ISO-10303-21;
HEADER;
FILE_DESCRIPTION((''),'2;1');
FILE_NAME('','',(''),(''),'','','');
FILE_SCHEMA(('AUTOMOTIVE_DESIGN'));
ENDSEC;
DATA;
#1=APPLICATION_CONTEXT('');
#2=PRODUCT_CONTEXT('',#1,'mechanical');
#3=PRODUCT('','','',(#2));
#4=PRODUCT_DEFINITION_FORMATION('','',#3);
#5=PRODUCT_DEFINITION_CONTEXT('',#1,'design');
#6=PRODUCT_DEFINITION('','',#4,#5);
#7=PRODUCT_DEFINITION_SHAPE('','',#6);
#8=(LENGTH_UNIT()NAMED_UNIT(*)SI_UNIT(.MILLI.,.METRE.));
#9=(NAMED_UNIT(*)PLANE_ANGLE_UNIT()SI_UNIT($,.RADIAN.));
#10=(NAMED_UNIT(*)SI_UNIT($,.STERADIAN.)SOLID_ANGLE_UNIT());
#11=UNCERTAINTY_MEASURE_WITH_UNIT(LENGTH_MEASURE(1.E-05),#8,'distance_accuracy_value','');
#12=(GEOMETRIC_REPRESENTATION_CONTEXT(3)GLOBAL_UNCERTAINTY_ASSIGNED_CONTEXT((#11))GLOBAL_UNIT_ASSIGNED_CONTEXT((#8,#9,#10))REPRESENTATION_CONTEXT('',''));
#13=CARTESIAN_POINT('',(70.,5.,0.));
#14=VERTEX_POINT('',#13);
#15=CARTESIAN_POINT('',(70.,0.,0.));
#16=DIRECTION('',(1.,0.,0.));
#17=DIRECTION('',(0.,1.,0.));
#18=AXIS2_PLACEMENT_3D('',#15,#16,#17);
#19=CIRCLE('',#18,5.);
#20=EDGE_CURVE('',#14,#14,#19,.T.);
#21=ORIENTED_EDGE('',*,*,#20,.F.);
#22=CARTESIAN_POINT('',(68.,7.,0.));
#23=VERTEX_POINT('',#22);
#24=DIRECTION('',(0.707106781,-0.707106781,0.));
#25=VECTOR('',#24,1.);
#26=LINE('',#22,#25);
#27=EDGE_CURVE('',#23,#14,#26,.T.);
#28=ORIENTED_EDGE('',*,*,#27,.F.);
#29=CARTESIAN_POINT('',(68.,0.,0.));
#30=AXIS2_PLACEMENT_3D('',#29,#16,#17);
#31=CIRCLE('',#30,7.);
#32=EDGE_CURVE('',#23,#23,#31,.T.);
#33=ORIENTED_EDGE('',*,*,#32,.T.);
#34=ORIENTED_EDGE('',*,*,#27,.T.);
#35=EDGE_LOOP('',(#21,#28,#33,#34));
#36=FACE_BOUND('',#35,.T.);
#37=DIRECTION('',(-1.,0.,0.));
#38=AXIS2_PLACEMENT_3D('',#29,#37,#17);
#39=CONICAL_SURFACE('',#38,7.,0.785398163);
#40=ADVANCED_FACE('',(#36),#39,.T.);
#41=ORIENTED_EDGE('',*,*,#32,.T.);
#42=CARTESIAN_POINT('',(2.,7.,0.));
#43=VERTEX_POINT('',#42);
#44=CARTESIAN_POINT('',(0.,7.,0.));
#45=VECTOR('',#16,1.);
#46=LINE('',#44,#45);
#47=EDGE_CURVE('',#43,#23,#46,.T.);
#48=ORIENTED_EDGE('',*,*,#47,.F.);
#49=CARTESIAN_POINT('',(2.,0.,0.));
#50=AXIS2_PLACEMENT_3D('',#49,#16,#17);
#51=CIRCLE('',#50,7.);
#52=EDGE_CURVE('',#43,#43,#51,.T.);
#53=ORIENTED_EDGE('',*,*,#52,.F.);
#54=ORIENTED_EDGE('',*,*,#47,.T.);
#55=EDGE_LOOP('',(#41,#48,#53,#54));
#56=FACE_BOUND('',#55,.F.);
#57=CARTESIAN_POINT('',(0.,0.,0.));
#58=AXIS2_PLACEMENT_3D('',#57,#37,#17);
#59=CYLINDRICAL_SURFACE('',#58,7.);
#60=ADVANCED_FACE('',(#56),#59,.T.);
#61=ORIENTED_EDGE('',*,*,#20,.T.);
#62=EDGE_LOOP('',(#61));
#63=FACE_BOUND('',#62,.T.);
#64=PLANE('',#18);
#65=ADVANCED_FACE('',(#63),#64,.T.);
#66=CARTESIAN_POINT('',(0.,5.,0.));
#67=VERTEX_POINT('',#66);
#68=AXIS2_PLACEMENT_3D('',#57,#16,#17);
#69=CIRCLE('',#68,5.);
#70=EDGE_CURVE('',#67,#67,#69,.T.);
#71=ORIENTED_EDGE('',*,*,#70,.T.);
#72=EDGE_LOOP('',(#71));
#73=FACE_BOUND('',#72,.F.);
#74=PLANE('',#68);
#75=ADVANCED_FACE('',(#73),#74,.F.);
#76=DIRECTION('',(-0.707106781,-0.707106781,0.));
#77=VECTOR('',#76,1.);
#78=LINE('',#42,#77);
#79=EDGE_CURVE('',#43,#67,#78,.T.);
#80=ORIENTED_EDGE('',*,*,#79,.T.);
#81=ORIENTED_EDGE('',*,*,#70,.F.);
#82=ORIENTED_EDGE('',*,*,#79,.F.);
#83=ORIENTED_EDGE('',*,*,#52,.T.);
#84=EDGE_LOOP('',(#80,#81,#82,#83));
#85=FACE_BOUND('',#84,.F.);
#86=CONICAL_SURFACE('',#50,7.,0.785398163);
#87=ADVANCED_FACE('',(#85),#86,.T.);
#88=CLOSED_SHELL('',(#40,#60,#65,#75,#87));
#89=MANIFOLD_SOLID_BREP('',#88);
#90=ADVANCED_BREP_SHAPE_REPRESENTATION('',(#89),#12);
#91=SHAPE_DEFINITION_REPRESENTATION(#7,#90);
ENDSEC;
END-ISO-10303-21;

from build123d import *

# Parameters (mm, degrees)
SKETCH_R     = 7
PAD_DEPTH    = 70
CHAMFER_SIZE = 2


with BuildPart() as part:
    # Sketch → Pad (new body)
    with BuildSketch(Plane.YZ):
        Circle(SKETCH_R)
    extrude(amount=PAD_DEPTH)

    # Chamfer
    chamfer_edges = [part.edges().sort_by_distance(p)[0] for p in [
        (0, -7, 0),
        (70, -7, 0),
    ]]
    chamfer(chamfer_edges, length=CHAMFER_SIZE)


solid = part.part
